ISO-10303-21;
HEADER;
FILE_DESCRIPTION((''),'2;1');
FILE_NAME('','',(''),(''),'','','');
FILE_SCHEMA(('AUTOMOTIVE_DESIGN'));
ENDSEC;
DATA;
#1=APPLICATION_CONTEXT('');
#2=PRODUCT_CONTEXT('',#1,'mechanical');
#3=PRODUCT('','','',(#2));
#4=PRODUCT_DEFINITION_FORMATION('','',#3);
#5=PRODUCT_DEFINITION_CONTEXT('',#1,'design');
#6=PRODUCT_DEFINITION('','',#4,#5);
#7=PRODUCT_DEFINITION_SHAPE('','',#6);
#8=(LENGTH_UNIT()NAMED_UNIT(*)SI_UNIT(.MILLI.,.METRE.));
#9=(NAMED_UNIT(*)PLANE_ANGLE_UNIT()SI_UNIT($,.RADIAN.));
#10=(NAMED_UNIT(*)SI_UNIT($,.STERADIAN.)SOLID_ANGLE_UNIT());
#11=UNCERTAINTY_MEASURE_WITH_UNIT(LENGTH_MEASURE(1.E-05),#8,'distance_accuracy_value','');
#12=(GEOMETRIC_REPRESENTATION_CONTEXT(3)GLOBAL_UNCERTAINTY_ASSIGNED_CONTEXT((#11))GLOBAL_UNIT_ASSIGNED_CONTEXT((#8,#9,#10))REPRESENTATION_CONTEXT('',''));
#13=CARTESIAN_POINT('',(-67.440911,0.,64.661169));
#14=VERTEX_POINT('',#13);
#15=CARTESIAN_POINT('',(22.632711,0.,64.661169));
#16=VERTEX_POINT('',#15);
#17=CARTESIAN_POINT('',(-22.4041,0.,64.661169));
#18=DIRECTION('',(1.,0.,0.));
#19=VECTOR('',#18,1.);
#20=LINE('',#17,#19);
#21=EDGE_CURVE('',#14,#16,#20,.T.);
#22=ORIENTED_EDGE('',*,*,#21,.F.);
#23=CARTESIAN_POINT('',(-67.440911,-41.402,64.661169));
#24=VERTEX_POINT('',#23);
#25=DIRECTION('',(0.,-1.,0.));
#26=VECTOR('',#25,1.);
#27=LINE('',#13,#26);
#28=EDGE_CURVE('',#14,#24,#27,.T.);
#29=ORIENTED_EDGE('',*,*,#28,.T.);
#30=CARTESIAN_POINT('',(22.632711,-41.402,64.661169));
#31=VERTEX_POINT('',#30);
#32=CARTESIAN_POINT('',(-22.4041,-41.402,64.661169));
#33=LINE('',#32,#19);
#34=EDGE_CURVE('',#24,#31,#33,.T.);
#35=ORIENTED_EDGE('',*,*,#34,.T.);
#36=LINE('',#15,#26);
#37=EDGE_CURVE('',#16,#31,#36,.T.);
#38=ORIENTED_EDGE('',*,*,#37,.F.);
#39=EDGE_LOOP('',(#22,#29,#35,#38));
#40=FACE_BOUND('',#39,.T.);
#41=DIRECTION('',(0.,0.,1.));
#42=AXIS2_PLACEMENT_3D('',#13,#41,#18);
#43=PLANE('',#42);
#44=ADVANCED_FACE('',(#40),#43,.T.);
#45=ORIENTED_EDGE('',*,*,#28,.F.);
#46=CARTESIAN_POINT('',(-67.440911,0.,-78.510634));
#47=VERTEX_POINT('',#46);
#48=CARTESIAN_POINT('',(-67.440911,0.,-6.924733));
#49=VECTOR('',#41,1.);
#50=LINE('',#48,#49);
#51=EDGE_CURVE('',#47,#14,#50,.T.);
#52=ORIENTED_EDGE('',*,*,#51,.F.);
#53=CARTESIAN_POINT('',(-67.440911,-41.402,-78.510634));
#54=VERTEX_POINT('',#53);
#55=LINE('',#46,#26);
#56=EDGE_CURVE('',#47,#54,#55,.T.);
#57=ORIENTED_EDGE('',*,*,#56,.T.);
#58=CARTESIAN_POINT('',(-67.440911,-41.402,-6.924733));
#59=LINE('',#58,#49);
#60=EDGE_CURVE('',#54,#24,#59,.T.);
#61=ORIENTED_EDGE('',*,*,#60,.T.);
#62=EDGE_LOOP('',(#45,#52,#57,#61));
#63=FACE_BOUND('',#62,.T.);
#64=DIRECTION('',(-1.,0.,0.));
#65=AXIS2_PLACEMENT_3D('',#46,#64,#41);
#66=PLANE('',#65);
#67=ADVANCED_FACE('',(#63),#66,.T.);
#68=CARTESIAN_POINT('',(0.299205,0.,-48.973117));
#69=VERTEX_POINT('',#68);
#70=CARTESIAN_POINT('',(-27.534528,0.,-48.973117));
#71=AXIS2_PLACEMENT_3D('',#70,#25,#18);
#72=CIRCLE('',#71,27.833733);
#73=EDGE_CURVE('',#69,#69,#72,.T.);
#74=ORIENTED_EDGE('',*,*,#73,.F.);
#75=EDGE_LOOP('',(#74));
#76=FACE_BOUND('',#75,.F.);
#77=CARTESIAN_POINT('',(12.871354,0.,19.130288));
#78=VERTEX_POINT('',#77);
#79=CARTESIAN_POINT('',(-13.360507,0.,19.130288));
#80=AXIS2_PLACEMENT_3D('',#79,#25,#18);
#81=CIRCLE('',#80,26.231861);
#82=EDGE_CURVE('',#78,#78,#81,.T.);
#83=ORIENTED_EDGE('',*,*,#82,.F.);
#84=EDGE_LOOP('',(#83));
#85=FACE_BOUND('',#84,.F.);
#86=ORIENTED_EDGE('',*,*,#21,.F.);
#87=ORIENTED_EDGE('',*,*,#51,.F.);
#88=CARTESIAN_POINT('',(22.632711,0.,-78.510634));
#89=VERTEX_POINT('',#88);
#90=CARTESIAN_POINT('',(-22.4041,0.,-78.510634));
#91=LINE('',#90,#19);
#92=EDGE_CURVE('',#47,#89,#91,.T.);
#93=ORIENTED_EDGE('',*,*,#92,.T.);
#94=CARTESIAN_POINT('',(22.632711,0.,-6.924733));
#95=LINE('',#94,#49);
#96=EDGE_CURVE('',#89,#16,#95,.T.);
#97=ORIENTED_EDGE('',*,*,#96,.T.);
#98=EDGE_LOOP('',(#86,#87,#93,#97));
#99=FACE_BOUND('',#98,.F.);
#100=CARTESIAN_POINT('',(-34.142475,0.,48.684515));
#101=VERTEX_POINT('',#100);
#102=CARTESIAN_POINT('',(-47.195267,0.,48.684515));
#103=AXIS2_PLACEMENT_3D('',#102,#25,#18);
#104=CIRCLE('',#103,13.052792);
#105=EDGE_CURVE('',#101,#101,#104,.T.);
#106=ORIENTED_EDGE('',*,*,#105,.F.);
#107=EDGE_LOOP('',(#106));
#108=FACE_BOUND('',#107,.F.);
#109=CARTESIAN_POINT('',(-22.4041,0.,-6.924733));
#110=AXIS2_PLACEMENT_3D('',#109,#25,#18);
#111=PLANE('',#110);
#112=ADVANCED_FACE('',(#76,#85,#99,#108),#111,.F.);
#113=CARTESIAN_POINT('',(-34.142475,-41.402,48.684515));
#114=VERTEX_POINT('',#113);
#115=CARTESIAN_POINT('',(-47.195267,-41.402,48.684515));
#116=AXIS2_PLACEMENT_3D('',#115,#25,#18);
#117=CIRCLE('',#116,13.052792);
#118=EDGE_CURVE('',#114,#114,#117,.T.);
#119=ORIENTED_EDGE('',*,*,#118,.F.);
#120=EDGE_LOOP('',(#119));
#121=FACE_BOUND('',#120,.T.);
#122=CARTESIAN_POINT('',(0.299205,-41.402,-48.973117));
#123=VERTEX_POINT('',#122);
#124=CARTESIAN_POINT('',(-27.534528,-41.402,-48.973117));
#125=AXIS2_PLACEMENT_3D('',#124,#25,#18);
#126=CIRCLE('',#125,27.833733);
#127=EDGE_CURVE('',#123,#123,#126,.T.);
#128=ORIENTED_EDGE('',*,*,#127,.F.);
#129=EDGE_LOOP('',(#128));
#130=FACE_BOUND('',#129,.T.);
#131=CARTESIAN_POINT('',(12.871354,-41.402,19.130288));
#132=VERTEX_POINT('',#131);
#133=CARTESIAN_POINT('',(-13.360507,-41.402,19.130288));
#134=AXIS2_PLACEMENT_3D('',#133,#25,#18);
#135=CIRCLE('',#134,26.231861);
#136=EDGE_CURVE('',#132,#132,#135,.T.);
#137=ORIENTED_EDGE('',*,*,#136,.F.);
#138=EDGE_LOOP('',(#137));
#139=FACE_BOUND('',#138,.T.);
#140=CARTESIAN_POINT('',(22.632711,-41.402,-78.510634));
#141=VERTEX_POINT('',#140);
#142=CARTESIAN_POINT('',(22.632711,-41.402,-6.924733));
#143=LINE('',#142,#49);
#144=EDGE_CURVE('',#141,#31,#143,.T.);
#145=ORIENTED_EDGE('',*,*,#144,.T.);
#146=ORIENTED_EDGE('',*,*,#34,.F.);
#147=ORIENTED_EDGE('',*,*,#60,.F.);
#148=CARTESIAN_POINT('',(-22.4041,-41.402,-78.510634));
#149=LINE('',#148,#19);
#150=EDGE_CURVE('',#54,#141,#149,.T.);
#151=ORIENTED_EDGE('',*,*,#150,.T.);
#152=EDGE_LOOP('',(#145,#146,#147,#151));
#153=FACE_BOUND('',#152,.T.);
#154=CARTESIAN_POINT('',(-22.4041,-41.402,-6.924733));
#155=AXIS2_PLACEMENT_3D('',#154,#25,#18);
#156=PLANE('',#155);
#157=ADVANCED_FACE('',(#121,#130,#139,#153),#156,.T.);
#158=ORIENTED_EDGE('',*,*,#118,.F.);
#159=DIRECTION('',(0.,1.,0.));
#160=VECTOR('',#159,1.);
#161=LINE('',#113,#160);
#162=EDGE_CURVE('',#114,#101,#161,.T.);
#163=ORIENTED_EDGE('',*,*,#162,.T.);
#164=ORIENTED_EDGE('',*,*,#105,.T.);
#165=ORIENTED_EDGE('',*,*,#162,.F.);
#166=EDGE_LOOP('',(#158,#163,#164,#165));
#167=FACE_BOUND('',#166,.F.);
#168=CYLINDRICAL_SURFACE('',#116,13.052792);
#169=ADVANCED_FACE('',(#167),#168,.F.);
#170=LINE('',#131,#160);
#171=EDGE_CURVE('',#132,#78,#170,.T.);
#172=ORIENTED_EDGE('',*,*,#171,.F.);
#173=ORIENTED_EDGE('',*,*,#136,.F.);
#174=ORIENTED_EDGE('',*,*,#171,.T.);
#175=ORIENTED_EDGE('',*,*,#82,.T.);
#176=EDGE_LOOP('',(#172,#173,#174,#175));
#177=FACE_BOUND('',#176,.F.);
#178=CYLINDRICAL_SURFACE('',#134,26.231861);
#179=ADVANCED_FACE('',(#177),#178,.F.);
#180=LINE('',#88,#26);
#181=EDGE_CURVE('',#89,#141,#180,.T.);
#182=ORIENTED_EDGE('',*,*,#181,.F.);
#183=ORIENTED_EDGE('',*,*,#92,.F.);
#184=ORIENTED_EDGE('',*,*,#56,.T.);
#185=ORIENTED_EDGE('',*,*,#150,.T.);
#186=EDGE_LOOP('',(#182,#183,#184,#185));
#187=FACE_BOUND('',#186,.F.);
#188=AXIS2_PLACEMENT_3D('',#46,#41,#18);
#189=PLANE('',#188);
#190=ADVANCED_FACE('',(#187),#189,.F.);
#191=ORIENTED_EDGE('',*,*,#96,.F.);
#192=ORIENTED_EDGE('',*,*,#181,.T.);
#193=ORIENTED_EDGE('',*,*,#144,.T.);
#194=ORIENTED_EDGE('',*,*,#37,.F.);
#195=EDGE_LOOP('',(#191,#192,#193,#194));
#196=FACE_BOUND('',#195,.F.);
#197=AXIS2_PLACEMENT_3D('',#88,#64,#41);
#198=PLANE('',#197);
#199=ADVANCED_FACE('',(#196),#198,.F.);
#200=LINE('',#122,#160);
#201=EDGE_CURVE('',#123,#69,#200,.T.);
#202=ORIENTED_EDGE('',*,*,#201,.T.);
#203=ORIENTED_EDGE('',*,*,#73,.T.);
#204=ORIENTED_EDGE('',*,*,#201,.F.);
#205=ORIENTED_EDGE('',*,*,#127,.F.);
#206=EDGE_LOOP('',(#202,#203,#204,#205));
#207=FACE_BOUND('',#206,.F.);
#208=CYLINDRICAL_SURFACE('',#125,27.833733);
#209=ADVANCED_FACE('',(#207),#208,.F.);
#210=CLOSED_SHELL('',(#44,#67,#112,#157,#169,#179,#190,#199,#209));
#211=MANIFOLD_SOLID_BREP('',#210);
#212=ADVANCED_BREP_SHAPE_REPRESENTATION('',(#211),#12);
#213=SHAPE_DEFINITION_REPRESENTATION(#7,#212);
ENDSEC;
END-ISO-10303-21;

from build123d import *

# Parameters (mm, degrees)
F0_W     = 90.073623
F0_H     = 143.171803
F1_DEPTH = 41.402
F2_R     = 26.231861
F2_R_2   = 27.833733
F2_R_3   = 13.052792
F3_DEPTH = 57.15


with BuildPart() as f1:
    # F0 (on Front) → F1 (new body)
    with BuildSketch(Plane.XZ):
        with Locations((-22.4041, -6.924733)):
            Rectangle(F0_W, F0_H)
    extrude(amount=F1_DEPTH)

    # F2 (on face) → F3 (cut)
    with BuildSketch(Plane.XZ.offset(41.402)):
        with Locations((-13.360507, 19.130288)):
            Circle(F2_R)
        with Locations((-27.534528, -48.973117)):
            Circle(F2_R_2)
        with Locations((-47.195267, 48.684515)):
            Circle(F2_R_3)
    extrude(amount=-F3_DEPTH, mode=Mode.SUBTRACT)


solid = f1.part
